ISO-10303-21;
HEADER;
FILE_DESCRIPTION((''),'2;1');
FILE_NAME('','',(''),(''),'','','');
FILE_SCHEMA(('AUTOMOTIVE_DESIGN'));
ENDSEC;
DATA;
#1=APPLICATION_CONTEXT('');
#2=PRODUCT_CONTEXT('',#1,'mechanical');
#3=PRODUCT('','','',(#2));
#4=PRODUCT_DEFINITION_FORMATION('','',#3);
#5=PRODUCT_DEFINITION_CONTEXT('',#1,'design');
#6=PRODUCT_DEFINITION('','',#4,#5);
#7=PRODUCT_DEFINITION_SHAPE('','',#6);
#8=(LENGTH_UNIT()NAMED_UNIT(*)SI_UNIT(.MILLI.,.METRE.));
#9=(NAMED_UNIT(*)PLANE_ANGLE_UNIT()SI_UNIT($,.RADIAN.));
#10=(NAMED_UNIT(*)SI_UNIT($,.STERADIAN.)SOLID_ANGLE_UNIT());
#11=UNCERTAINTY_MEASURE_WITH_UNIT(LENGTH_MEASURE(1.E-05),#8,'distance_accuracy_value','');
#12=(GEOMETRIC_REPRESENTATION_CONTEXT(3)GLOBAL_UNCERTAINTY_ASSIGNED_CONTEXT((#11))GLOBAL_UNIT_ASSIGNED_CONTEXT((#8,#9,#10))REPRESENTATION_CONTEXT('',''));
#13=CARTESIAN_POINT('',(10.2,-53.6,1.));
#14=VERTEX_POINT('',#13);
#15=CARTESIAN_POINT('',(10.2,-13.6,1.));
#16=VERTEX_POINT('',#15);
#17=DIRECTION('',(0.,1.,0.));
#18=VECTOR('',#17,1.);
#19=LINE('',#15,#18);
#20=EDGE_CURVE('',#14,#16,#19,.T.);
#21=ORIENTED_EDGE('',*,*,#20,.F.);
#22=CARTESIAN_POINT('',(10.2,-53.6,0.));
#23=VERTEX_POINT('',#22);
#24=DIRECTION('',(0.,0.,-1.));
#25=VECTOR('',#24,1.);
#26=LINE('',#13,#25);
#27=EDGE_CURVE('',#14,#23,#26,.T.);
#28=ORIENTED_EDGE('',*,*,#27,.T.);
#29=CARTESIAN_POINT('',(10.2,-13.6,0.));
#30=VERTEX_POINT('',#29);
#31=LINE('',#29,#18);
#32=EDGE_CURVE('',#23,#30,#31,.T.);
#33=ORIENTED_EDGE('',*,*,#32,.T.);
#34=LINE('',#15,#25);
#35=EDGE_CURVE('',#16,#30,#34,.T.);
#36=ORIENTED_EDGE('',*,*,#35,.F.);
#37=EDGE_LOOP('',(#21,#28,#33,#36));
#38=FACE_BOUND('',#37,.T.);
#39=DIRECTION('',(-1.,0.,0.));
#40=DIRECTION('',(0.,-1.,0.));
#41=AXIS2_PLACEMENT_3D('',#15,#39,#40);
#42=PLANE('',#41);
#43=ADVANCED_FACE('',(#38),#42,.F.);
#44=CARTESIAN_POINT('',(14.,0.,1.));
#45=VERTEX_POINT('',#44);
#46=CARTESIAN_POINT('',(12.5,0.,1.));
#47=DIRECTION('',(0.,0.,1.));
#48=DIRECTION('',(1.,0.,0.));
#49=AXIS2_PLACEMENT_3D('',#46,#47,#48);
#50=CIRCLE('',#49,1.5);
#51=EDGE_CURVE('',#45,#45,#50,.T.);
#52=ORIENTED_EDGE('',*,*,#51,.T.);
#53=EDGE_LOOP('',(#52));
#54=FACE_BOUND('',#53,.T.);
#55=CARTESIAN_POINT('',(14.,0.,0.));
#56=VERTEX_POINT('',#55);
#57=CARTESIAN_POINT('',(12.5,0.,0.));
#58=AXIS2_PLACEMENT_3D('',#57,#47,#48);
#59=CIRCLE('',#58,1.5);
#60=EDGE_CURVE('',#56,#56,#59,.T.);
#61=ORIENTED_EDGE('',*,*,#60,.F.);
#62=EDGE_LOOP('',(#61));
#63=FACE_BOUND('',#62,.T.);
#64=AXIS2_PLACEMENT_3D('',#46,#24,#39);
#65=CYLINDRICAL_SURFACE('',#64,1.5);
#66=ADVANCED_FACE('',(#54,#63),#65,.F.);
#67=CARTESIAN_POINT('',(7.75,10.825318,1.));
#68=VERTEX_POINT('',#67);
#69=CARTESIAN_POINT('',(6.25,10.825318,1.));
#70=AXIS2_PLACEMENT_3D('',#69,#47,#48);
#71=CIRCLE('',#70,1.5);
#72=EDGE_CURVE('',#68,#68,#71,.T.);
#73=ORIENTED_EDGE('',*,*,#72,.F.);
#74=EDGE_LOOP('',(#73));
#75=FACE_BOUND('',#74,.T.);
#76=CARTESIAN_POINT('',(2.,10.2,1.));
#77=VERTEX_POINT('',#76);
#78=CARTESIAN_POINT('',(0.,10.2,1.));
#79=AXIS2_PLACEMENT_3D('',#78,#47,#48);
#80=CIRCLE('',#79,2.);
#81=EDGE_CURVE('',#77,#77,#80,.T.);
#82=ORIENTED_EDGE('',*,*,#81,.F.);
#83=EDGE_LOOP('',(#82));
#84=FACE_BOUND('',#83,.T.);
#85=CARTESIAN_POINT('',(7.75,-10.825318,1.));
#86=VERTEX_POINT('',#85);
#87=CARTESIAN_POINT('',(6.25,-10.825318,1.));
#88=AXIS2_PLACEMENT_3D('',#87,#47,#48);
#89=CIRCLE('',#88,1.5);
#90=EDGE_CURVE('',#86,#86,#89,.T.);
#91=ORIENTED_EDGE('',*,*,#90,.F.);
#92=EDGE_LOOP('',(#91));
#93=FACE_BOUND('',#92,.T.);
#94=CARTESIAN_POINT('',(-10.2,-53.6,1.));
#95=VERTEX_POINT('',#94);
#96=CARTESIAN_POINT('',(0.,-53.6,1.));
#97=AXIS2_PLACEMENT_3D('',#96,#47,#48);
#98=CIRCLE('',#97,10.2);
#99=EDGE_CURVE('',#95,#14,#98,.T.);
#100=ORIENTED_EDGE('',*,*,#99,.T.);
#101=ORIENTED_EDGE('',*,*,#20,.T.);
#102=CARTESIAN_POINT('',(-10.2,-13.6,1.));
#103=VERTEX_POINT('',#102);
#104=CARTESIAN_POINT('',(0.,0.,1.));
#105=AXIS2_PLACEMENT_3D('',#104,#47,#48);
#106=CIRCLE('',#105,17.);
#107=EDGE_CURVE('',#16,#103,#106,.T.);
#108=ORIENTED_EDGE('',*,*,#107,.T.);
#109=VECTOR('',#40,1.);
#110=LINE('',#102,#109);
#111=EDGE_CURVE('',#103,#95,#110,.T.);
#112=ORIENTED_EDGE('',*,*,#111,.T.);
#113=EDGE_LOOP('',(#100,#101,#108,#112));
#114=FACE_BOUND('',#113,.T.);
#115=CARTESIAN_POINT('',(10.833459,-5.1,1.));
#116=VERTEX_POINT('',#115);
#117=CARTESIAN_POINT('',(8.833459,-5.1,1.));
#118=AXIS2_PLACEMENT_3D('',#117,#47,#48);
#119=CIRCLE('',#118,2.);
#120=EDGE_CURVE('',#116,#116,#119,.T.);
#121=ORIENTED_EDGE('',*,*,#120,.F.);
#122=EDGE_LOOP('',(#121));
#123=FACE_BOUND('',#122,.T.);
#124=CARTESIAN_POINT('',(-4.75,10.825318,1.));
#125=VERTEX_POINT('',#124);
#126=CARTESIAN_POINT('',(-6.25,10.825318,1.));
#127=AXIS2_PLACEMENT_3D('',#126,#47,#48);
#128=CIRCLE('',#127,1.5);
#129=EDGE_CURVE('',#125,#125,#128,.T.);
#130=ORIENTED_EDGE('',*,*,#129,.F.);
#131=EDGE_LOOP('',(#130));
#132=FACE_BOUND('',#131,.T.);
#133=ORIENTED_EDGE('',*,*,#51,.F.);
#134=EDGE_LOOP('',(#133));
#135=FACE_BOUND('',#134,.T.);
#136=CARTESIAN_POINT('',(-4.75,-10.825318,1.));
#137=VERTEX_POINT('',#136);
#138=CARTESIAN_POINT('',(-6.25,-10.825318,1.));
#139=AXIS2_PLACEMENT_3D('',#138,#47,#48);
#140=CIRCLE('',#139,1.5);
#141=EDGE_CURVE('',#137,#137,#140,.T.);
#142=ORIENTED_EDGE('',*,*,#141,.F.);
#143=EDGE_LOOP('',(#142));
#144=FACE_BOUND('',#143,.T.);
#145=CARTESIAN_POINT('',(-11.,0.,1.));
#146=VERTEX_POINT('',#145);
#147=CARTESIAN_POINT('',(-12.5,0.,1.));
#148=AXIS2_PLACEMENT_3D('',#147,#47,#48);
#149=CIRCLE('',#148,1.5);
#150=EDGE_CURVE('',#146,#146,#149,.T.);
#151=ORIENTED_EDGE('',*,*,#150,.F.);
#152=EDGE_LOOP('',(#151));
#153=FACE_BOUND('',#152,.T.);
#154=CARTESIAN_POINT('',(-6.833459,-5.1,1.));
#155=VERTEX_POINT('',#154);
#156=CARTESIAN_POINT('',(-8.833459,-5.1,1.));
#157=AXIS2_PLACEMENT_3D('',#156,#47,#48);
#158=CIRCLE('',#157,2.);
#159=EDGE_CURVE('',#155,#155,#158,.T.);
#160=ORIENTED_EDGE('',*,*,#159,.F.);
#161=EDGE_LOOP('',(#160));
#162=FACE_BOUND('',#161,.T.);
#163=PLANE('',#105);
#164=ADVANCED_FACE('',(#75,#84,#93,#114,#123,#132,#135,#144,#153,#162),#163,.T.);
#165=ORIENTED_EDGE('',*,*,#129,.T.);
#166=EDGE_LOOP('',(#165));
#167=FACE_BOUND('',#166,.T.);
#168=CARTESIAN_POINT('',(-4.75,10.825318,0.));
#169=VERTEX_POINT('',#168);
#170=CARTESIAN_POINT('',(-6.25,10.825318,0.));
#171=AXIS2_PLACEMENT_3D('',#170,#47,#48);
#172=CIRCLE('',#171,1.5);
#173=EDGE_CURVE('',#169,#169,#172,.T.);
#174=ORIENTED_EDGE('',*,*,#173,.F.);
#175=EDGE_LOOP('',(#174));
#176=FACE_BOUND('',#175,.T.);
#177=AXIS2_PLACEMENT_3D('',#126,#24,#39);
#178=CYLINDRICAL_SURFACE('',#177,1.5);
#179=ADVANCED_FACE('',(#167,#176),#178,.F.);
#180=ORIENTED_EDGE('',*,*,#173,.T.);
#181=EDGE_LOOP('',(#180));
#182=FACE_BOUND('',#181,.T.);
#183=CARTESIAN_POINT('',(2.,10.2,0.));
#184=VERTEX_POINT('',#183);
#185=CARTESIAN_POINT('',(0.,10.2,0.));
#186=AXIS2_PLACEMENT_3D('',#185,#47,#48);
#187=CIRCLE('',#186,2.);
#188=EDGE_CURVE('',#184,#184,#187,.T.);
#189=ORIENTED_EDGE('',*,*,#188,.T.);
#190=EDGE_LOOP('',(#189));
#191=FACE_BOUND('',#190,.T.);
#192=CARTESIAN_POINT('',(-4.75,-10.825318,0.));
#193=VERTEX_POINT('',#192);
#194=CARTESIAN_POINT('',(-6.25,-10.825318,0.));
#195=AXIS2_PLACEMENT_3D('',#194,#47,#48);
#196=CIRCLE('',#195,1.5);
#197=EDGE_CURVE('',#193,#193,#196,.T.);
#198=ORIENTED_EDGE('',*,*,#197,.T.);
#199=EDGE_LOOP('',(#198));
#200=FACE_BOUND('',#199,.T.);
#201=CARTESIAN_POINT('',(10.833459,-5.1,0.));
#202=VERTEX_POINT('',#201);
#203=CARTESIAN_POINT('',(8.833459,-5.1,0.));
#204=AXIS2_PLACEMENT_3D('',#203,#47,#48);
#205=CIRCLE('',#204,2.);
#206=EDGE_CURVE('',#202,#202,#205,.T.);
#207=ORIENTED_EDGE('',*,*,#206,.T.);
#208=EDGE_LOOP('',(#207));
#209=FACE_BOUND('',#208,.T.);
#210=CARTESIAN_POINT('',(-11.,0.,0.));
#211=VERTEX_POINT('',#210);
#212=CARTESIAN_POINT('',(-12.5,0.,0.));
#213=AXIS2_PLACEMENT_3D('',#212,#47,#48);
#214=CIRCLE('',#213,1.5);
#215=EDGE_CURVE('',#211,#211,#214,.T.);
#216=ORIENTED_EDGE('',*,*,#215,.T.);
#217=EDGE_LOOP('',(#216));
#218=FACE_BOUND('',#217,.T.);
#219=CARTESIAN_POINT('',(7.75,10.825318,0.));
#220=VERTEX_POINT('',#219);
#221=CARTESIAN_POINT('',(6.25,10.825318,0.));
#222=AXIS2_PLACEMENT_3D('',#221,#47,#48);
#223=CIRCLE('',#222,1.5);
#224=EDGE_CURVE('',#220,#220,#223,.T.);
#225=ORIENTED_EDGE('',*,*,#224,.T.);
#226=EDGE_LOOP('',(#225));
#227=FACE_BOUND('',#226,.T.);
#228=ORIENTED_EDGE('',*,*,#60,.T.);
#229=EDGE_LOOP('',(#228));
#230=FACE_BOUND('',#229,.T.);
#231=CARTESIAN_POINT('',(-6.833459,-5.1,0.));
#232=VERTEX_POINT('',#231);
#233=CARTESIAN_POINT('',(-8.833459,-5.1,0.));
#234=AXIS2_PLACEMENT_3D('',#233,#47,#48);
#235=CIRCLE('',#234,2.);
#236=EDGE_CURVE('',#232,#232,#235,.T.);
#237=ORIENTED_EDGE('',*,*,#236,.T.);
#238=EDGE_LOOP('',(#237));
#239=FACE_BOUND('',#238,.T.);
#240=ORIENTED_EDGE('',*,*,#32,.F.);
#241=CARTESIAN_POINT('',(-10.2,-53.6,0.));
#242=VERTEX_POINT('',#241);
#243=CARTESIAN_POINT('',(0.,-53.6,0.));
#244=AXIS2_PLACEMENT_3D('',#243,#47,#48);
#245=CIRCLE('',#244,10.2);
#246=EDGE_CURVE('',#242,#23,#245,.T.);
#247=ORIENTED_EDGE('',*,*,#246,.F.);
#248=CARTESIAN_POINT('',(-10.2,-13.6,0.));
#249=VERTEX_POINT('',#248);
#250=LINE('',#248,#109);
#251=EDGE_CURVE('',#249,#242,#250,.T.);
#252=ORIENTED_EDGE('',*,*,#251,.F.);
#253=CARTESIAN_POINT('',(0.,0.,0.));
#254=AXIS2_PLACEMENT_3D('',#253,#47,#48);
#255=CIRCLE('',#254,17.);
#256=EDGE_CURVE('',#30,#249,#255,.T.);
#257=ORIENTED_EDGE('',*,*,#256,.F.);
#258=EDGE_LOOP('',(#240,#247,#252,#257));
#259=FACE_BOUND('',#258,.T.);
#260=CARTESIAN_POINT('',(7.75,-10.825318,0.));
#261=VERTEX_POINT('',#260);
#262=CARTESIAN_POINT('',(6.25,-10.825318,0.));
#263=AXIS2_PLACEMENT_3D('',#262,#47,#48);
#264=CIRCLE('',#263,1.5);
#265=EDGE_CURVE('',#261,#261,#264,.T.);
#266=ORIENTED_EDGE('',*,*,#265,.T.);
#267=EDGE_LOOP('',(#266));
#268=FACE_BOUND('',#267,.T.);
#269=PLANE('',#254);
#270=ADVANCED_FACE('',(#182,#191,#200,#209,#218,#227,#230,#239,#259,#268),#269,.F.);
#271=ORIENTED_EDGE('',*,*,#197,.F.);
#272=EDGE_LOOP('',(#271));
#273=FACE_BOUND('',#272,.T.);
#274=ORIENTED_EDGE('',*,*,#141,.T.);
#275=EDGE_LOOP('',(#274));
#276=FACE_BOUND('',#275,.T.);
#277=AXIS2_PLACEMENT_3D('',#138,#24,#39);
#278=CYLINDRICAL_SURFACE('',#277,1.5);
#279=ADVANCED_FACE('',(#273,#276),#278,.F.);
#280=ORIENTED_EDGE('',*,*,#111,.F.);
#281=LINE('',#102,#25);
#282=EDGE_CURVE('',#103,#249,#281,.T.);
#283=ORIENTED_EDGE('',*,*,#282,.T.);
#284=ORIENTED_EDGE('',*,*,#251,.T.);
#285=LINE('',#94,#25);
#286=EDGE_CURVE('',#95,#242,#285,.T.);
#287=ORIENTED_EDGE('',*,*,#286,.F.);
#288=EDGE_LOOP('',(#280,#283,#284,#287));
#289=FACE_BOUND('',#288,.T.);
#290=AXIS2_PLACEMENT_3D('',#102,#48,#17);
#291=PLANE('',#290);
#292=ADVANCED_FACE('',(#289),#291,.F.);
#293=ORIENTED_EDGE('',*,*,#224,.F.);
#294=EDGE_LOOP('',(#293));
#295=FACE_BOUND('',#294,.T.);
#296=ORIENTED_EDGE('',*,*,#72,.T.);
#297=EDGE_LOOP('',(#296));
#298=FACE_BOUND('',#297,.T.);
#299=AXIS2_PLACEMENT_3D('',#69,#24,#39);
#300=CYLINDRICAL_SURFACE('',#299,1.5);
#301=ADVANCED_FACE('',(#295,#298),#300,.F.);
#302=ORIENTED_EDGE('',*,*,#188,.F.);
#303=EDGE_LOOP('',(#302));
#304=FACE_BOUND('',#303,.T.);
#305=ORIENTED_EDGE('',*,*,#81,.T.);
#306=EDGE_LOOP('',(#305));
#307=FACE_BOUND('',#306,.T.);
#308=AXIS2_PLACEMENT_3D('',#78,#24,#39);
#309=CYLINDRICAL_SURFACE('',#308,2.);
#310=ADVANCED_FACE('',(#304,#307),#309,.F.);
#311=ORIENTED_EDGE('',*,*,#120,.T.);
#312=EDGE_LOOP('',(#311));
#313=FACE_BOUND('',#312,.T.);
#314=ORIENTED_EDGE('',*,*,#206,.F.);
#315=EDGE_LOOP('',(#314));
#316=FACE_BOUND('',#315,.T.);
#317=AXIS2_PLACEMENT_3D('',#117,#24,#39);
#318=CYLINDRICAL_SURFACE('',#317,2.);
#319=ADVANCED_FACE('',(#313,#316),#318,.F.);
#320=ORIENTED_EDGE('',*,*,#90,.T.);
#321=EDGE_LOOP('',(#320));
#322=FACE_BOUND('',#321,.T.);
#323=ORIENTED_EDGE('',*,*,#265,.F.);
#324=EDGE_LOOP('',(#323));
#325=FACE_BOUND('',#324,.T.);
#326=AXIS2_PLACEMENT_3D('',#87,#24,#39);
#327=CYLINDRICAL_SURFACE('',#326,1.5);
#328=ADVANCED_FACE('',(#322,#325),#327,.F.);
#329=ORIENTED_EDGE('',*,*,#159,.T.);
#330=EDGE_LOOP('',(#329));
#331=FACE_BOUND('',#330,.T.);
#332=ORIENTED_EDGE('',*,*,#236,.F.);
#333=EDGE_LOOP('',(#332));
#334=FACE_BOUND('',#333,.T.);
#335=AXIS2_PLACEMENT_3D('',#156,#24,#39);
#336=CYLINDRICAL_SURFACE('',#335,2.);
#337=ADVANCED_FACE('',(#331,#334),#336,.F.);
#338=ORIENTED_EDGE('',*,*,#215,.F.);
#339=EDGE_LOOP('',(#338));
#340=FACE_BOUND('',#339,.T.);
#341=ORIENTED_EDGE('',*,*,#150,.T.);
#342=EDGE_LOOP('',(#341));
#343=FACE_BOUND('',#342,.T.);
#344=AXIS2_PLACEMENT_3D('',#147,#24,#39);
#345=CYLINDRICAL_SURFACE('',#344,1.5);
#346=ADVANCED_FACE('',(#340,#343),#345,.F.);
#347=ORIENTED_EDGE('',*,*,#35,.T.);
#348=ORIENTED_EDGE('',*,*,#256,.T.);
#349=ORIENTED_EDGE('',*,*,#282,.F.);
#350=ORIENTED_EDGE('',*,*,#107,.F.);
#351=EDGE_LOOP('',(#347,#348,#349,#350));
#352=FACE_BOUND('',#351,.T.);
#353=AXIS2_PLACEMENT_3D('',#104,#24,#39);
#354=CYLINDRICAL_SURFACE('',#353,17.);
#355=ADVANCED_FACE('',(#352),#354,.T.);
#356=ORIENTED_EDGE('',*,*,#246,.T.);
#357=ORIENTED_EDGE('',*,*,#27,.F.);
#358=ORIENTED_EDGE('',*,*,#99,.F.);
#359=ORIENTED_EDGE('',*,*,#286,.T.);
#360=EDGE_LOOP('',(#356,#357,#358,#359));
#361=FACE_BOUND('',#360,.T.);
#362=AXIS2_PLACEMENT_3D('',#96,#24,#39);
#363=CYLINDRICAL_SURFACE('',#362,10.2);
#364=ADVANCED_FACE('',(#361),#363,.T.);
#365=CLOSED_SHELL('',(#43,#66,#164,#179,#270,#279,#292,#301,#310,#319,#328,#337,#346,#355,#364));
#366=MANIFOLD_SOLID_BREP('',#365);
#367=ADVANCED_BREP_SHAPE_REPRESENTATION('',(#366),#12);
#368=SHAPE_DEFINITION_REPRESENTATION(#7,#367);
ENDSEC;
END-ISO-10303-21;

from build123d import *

# Parameters (mm, degrees)
SKETCH2_R           = 2
SKETCH2_R_2         = 1.5
BOSS_EXTRUDE2_DEPTH = 1


with BuildPart() as part:
    # Sketch2 → Boss-Extrude2 (new body)
    with BuildSketch(Plane.XY):
        with BuildLine():
            Line((-10.2, -13.6), (-10.2, -53.6))
            ThreePointArc((-10.2, -53.6), (0, -63.8), (10.2, -53.6))
            Line((10.2, -53.6), (10.2, -13.6))
            ThreePointArc((10.2, -13.6), (0, 17), (-10.2, -13.6))
        make_face()
        with Locations((0, 10.2)):
            Circle(SKETCH2_R, mode=Mode.SUBTRACT)
        with Locations((8.833459119, -5.1)):
            Circle(SKETCH2_R, mode=Mode.SUBTRACT)
        with Locations((-8.833459119, -5.1)):
            Circle(SKETCH2_R, mode=Mode.SUBTRACT)
        with Locations((-12.5, 0)):
            Circle(SKETCH2_R_2, mode=Mode.SUBTRACT)
        with Locations((-6.25, 10.825317547)):
            Circle(SKETCH2_R_2, mode=Mode.SUBTRACT)
        with Locations((6.25, 10.825317547)):
            Circle(SKETCH2_R_2, mode=Mode.SUBTRACT)
        with Locations((12.5, 0)):
            Circle(SKETCH2_R_2, mode=Mode.SUBTRACT)
        with Locations((6.25, -10.825317547)):
            Circle(SKETCH2_R_2, mode=Mode.SUBTRACT)
        with Locations((-6.25, -10.825317547)):
            Circle(SKETCH2_R_2, mode=Mode.SUBTRACT)
    extrude(amount=BOSS_EXTRUDE2_DEPTH)


solid = part.part
